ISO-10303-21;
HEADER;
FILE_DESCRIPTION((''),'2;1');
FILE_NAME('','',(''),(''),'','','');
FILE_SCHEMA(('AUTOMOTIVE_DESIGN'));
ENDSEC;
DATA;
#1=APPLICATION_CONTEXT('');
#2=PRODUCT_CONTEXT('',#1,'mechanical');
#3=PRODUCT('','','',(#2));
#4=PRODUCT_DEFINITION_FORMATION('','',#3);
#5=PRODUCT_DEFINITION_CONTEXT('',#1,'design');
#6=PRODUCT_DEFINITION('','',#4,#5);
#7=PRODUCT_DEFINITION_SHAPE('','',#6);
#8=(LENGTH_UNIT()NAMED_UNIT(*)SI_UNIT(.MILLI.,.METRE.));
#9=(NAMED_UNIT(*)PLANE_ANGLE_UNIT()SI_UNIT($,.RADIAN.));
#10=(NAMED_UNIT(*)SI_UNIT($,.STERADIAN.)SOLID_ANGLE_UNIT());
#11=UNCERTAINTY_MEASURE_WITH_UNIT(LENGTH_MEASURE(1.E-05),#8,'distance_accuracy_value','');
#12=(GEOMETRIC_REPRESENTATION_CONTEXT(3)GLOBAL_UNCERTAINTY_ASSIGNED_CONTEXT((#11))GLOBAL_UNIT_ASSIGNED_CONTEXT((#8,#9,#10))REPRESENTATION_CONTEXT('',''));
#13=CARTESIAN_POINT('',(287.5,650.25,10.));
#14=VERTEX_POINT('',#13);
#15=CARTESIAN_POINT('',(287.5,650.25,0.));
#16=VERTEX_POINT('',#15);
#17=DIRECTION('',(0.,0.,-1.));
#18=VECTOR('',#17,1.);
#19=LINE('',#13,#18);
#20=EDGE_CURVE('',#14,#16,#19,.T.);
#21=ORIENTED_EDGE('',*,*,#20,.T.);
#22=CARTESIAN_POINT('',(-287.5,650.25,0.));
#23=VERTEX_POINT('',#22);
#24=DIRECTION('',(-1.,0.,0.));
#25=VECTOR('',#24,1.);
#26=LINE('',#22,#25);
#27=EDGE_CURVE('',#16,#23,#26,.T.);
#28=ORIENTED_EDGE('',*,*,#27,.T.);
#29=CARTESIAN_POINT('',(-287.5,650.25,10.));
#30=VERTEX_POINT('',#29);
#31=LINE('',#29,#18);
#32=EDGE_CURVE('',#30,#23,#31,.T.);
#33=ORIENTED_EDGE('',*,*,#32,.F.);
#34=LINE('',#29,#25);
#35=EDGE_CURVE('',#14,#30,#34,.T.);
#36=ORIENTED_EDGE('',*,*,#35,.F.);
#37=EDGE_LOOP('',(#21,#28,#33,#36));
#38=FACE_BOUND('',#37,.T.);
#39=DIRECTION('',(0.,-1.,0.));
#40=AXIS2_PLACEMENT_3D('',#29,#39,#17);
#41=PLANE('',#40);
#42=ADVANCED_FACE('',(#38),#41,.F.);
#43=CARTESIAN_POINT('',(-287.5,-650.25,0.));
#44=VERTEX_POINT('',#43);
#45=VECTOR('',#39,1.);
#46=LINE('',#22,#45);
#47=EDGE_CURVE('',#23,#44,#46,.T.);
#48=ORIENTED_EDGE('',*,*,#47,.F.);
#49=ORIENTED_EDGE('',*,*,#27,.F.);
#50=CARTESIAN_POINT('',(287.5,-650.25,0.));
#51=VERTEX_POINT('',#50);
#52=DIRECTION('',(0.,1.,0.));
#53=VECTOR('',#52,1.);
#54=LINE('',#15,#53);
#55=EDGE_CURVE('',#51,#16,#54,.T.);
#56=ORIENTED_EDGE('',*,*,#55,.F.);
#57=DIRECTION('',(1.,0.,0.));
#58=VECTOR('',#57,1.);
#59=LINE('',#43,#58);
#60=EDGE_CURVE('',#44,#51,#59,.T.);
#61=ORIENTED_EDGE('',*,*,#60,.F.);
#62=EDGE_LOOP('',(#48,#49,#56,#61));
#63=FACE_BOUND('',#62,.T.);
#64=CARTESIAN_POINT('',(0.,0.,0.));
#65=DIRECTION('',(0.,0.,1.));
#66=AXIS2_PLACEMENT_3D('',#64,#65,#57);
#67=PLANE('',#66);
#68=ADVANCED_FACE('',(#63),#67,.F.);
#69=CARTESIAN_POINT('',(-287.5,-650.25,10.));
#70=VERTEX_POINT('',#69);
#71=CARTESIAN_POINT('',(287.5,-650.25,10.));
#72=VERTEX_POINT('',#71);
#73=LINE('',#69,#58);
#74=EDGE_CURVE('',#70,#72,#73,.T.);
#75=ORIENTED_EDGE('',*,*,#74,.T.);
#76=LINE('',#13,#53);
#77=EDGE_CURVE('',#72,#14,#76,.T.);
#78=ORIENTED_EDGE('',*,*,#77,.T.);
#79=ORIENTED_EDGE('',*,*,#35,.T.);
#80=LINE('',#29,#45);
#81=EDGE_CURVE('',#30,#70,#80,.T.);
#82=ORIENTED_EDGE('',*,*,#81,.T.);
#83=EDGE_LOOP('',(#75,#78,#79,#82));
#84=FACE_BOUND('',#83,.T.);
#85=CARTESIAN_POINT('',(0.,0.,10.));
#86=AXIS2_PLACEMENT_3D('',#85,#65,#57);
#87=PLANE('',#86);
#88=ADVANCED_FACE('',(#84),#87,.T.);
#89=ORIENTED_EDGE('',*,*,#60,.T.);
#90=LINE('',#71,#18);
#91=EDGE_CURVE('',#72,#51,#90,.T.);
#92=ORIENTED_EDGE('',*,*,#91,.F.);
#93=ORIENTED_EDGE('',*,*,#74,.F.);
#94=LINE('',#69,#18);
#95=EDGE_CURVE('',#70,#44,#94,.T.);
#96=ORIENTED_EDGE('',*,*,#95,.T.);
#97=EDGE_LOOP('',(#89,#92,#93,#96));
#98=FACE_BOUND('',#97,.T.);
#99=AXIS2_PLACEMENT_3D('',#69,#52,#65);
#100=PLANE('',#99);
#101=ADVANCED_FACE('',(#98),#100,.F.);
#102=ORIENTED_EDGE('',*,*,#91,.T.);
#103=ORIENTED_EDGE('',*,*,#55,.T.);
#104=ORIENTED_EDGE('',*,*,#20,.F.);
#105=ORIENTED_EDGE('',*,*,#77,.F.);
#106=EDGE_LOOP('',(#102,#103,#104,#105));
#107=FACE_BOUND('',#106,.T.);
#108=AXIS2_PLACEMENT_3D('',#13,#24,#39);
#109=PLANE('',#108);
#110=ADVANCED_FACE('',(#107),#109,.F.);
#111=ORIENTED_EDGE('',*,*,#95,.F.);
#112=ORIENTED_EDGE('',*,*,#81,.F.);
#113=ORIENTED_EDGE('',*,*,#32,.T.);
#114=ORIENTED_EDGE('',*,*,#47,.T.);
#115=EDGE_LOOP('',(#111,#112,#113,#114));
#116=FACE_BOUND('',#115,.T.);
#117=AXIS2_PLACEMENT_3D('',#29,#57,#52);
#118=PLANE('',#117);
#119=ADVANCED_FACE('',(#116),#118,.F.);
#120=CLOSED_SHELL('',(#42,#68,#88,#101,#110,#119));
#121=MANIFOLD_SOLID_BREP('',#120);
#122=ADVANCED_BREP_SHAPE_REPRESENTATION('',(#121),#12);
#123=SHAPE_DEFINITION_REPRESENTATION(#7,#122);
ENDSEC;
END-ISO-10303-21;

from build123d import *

# Parameters (mm, degrees)
SKETCH1_W           = 575
SKETCH1_H           = 1300.5
BOSS_EXTRUDE1_DEPTH = 10


with BuildPart() as part:
    # Sketch1 → Boss-Extrude1 (new body)
    with BuildSketch(Plane.XY):
        Rectangle(SKETCH1_W, SKETCH1_H)
    extrude(amount=BOSS_EXTRUDE1_DEPTH)


solid = part.part
